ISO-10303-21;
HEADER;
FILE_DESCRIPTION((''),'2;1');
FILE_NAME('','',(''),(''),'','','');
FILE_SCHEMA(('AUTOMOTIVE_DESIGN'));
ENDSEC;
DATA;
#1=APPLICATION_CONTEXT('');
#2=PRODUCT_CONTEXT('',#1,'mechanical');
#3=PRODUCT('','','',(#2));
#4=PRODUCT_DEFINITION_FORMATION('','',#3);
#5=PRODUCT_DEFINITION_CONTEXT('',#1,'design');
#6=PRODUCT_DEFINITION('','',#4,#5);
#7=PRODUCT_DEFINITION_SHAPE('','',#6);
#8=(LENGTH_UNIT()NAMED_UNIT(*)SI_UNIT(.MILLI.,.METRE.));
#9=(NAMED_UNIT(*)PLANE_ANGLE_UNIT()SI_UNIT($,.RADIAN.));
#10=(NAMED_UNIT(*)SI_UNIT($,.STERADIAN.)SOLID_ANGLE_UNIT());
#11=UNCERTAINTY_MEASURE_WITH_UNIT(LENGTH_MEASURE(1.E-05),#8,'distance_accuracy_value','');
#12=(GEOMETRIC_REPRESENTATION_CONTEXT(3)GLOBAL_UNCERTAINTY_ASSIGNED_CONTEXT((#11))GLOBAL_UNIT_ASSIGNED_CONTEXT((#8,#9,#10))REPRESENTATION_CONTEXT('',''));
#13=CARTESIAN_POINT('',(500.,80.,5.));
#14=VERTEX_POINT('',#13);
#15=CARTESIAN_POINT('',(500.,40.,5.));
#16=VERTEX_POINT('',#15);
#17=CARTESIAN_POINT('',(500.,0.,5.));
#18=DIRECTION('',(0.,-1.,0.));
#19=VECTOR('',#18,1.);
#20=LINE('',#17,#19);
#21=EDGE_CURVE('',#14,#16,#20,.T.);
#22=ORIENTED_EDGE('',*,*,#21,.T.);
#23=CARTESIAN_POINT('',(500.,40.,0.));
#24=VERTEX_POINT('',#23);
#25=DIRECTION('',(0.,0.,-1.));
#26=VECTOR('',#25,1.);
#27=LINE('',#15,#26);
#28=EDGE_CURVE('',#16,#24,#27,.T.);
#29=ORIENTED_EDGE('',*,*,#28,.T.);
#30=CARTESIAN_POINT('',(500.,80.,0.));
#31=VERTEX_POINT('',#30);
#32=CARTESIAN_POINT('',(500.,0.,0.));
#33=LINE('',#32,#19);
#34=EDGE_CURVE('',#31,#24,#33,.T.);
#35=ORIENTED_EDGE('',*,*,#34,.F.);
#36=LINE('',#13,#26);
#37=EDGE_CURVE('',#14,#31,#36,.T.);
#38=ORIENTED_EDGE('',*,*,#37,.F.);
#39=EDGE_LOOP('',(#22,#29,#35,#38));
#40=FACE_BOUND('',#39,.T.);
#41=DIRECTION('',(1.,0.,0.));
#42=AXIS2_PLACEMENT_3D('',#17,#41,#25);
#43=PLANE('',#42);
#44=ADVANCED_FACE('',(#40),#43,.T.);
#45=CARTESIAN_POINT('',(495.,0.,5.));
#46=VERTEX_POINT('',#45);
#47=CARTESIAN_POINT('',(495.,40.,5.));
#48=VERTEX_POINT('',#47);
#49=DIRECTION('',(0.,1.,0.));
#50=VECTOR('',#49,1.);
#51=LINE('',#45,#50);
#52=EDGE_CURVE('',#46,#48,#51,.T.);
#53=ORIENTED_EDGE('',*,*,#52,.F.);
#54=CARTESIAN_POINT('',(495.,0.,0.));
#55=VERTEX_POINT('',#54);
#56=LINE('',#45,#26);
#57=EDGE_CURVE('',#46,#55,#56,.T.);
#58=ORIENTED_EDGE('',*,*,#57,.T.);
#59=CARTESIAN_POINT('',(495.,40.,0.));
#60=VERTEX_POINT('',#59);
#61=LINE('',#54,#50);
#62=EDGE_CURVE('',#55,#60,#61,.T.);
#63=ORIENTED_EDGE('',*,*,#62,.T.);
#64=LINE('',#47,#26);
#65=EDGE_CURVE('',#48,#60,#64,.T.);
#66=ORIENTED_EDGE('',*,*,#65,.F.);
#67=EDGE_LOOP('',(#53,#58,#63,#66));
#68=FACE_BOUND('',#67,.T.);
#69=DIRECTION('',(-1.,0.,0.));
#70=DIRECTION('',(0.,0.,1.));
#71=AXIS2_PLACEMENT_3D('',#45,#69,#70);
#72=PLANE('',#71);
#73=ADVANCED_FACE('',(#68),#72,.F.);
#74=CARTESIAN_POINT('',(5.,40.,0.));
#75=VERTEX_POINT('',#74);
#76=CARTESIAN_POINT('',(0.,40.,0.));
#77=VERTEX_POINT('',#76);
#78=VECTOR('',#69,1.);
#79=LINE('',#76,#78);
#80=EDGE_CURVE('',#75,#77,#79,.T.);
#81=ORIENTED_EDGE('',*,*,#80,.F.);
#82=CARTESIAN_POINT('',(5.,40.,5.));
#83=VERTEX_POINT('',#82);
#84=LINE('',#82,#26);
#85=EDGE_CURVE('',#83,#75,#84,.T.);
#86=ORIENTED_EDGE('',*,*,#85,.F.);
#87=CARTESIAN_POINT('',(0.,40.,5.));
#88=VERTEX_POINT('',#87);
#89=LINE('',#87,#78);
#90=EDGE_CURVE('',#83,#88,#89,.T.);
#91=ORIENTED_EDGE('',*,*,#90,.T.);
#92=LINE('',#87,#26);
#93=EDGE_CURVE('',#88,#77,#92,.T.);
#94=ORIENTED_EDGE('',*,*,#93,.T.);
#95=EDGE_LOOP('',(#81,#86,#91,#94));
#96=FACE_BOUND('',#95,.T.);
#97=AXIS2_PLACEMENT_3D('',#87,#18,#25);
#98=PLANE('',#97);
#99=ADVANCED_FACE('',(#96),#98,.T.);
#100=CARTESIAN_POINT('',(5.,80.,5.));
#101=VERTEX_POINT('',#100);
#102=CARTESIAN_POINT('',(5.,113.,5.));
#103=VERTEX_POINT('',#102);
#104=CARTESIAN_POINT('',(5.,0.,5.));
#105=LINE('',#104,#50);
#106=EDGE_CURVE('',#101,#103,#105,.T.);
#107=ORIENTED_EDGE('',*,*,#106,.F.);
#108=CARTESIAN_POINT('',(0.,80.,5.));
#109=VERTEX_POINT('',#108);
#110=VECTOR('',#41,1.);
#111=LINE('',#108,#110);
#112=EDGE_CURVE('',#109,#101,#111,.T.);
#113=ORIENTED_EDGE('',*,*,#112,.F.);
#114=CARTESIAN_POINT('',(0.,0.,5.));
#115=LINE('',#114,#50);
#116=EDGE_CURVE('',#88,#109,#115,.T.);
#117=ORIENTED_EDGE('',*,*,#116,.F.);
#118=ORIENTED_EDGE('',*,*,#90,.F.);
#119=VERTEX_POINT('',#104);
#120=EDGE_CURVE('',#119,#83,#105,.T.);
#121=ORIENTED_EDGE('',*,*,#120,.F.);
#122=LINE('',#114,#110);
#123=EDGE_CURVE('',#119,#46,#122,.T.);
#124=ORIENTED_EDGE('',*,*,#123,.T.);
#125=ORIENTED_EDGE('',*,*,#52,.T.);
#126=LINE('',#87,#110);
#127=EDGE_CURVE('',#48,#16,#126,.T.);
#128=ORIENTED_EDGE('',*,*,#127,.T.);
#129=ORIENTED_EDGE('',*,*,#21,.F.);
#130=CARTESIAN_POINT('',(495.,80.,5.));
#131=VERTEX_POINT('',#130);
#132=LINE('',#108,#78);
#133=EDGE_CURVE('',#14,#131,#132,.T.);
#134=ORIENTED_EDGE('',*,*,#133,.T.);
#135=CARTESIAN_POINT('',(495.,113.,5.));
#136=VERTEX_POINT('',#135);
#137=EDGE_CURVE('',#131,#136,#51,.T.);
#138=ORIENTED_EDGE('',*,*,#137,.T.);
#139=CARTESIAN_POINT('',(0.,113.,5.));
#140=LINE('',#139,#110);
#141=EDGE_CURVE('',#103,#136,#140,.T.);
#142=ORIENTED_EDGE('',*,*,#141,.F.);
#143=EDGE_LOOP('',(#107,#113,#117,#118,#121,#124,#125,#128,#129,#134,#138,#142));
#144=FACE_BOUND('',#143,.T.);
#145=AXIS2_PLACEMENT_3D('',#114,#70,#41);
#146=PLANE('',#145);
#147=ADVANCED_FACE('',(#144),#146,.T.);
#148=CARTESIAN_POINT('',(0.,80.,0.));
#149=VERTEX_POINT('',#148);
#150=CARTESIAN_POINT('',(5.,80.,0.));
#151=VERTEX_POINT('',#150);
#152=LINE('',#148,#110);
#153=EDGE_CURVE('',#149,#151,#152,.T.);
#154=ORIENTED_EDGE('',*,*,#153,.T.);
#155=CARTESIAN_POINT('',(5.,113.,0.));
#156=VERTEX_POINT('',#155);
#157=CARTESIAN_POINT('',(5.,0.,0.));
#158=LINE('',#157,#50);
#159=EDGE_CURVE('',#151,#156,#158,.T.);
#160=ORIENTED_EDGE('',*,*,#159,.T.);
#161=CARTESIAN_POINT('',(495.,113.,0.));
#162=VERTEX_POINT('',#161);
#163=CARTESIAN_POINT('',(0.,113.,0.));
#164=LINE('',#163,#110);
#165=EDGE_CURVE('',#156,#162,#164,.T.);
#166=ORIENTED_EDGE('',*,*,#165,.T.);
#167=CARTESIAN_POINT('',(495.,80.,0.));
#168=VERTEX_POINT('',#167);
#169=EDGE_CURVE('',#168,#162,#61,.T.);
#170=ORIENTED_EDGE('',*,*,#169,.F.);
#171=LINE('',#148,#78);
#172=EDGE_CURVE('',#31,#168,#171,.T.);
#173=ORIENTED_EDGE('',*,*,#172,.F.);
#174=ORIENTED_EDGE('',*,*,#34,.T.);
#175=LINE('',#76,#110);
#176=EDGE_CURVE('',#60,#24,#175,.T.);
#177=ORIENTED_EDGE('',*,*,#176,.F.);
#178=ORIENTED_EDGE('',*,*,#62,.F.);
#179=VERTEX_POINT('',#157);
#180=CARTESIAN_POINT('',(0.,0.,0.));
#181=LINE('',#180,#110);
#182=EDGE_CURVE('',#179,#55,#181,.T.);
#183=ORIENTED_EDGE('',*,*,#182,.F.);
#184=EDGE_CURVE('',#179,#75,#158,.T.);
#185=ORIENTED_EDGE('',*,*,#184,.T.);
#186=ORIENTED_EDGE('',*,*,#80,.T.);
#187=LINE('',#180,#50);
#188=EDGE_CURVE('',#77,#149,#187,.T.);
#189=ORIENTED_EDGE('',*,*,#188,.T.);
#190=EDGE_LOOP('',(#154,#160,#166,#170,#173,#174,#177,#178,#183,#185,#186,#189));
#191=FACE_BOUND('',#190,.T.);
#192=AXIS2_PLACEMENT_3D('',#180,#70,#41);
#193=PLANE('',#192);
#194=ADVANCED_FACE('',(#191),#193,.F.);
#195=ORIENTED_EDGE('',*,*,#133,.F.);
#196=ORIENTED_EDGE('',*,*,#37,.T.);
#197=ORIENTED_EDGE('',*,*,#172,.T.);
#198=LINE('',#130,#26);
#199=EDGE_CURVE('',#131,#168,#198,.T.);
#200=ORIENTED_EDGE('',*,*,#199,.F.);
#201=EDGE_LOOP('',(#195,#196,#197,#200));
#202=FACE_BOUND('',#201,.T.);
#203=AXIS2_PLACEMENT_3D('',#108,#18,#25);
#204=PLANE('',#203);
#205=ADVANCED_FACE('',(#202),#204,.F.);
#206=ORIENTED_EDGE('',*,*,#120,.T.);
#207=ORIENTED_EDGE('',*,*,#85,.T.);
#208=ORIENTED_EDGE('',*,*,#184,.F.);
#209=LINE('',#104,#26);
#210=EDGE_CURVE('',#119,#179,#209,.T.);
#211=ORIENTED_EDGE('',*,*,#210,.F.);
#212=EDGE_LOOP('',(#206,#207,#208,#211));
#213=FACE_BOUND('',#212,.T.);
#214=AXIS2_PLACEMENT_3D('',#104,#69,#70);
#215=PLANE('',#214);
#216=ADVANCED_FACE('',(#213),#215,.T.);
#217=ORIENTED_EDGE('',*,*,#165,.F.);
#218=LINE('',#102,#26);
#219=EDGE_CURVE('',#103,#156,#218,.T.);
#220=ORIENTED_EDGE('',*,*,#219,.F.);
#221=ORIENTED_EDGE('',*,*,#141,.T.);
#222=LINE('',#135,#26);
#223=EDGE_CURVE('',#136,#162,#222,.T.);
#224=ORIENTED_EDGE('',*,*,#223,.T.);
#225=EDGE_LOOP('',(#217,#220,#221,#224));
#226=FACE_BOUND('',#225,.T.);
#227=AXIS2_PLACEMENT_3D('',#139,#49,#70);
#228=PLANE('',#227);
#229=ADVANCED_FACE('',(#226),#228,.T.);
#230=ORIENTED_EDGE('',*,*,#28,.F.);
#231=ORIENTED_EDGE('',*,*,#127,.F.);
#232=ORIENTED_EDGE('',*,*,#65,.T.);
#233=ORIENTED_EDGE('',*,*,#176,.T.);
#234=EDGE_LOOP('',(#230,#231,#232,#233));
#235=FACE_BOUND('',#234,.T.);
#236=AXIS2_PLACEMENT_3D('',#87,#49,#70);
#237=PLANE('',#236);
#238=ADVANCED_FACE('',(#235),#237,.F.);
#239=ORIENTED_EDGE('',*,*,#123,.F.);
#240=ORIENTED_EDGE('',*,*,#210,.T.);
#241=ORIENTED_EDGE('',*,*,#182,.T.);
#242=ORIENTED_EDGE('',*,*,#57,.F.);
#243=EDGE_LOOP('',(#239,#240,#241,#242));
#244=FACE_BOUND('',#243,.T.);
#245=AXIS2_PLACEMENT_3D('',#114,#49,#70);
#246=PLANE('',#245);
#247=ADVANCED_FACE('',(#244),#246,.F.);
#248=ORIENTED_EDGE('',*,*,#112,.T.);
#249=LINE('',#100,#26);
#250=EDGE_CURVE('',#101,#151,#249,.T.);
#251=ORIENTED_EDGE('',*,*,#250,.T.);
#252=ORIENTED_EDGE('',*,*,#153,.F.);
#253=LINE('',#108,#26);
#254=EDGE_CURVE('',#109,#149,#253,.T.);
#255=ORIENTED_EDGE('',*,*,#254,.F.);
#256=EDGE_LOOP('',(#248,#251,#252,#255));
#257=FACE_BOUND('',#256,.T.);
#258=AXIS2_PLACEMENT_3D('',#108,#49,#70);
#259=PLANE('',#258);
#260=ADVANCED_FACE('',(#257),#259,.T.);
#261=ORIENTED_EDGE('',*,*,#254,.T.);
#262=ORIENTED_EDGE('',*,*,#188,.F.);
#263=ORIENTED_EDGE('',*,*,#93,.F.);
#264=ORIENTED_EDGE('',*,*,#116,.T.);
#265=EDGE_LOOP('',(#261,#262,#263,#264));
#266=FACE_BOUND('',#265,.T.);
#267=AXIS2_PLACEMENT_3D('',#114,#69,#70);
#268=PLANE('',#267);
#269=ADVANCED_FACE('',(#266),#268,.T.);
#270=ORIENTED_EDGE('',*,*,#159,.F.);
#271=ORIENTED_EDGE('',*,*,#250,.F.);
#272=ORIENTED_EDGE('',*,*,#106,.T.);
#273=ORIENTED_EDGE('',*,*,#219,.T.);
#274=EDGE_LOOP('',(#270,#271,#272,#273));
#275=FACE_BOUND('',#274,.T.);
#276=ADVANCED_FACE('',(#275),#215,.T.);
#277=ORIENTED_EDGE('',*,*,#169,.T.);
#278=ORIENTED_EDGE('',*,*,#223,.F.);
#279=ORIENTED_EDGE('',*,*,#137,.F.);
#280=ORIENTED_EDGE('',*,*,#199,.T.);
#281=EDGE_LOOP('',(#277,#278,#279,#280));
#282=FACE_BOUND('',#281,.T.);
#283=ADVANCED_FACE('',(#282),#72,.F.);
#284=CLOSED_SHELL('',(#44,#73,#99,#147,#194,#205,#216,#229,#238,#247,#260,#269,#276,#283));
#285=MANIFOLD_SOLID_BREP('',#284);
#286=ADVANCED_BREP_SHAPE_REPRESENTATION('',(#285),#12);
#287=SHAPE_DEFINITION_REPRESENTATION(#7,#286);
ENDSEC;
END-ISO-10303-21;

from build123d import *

# Parameters (mm, degrees)
BOSS_EXTRU_1_DEPTH = 5


with BuildPart() as part:
    # Esquisse1 → Boss.-Extru.1 (new body)
    with BuildSketch(Plane.XY):
        Polygon((500, 80), (495, 80), (495, 113), (5, 113), (5, 80), (0, 80), (0, 40), (5, 40), (5, 0), (495, 0), (495, 40), (500, 40), align=None)
    extrude(amount=BOSS_EXTRU_1_DEPTH)


solid = part.part
